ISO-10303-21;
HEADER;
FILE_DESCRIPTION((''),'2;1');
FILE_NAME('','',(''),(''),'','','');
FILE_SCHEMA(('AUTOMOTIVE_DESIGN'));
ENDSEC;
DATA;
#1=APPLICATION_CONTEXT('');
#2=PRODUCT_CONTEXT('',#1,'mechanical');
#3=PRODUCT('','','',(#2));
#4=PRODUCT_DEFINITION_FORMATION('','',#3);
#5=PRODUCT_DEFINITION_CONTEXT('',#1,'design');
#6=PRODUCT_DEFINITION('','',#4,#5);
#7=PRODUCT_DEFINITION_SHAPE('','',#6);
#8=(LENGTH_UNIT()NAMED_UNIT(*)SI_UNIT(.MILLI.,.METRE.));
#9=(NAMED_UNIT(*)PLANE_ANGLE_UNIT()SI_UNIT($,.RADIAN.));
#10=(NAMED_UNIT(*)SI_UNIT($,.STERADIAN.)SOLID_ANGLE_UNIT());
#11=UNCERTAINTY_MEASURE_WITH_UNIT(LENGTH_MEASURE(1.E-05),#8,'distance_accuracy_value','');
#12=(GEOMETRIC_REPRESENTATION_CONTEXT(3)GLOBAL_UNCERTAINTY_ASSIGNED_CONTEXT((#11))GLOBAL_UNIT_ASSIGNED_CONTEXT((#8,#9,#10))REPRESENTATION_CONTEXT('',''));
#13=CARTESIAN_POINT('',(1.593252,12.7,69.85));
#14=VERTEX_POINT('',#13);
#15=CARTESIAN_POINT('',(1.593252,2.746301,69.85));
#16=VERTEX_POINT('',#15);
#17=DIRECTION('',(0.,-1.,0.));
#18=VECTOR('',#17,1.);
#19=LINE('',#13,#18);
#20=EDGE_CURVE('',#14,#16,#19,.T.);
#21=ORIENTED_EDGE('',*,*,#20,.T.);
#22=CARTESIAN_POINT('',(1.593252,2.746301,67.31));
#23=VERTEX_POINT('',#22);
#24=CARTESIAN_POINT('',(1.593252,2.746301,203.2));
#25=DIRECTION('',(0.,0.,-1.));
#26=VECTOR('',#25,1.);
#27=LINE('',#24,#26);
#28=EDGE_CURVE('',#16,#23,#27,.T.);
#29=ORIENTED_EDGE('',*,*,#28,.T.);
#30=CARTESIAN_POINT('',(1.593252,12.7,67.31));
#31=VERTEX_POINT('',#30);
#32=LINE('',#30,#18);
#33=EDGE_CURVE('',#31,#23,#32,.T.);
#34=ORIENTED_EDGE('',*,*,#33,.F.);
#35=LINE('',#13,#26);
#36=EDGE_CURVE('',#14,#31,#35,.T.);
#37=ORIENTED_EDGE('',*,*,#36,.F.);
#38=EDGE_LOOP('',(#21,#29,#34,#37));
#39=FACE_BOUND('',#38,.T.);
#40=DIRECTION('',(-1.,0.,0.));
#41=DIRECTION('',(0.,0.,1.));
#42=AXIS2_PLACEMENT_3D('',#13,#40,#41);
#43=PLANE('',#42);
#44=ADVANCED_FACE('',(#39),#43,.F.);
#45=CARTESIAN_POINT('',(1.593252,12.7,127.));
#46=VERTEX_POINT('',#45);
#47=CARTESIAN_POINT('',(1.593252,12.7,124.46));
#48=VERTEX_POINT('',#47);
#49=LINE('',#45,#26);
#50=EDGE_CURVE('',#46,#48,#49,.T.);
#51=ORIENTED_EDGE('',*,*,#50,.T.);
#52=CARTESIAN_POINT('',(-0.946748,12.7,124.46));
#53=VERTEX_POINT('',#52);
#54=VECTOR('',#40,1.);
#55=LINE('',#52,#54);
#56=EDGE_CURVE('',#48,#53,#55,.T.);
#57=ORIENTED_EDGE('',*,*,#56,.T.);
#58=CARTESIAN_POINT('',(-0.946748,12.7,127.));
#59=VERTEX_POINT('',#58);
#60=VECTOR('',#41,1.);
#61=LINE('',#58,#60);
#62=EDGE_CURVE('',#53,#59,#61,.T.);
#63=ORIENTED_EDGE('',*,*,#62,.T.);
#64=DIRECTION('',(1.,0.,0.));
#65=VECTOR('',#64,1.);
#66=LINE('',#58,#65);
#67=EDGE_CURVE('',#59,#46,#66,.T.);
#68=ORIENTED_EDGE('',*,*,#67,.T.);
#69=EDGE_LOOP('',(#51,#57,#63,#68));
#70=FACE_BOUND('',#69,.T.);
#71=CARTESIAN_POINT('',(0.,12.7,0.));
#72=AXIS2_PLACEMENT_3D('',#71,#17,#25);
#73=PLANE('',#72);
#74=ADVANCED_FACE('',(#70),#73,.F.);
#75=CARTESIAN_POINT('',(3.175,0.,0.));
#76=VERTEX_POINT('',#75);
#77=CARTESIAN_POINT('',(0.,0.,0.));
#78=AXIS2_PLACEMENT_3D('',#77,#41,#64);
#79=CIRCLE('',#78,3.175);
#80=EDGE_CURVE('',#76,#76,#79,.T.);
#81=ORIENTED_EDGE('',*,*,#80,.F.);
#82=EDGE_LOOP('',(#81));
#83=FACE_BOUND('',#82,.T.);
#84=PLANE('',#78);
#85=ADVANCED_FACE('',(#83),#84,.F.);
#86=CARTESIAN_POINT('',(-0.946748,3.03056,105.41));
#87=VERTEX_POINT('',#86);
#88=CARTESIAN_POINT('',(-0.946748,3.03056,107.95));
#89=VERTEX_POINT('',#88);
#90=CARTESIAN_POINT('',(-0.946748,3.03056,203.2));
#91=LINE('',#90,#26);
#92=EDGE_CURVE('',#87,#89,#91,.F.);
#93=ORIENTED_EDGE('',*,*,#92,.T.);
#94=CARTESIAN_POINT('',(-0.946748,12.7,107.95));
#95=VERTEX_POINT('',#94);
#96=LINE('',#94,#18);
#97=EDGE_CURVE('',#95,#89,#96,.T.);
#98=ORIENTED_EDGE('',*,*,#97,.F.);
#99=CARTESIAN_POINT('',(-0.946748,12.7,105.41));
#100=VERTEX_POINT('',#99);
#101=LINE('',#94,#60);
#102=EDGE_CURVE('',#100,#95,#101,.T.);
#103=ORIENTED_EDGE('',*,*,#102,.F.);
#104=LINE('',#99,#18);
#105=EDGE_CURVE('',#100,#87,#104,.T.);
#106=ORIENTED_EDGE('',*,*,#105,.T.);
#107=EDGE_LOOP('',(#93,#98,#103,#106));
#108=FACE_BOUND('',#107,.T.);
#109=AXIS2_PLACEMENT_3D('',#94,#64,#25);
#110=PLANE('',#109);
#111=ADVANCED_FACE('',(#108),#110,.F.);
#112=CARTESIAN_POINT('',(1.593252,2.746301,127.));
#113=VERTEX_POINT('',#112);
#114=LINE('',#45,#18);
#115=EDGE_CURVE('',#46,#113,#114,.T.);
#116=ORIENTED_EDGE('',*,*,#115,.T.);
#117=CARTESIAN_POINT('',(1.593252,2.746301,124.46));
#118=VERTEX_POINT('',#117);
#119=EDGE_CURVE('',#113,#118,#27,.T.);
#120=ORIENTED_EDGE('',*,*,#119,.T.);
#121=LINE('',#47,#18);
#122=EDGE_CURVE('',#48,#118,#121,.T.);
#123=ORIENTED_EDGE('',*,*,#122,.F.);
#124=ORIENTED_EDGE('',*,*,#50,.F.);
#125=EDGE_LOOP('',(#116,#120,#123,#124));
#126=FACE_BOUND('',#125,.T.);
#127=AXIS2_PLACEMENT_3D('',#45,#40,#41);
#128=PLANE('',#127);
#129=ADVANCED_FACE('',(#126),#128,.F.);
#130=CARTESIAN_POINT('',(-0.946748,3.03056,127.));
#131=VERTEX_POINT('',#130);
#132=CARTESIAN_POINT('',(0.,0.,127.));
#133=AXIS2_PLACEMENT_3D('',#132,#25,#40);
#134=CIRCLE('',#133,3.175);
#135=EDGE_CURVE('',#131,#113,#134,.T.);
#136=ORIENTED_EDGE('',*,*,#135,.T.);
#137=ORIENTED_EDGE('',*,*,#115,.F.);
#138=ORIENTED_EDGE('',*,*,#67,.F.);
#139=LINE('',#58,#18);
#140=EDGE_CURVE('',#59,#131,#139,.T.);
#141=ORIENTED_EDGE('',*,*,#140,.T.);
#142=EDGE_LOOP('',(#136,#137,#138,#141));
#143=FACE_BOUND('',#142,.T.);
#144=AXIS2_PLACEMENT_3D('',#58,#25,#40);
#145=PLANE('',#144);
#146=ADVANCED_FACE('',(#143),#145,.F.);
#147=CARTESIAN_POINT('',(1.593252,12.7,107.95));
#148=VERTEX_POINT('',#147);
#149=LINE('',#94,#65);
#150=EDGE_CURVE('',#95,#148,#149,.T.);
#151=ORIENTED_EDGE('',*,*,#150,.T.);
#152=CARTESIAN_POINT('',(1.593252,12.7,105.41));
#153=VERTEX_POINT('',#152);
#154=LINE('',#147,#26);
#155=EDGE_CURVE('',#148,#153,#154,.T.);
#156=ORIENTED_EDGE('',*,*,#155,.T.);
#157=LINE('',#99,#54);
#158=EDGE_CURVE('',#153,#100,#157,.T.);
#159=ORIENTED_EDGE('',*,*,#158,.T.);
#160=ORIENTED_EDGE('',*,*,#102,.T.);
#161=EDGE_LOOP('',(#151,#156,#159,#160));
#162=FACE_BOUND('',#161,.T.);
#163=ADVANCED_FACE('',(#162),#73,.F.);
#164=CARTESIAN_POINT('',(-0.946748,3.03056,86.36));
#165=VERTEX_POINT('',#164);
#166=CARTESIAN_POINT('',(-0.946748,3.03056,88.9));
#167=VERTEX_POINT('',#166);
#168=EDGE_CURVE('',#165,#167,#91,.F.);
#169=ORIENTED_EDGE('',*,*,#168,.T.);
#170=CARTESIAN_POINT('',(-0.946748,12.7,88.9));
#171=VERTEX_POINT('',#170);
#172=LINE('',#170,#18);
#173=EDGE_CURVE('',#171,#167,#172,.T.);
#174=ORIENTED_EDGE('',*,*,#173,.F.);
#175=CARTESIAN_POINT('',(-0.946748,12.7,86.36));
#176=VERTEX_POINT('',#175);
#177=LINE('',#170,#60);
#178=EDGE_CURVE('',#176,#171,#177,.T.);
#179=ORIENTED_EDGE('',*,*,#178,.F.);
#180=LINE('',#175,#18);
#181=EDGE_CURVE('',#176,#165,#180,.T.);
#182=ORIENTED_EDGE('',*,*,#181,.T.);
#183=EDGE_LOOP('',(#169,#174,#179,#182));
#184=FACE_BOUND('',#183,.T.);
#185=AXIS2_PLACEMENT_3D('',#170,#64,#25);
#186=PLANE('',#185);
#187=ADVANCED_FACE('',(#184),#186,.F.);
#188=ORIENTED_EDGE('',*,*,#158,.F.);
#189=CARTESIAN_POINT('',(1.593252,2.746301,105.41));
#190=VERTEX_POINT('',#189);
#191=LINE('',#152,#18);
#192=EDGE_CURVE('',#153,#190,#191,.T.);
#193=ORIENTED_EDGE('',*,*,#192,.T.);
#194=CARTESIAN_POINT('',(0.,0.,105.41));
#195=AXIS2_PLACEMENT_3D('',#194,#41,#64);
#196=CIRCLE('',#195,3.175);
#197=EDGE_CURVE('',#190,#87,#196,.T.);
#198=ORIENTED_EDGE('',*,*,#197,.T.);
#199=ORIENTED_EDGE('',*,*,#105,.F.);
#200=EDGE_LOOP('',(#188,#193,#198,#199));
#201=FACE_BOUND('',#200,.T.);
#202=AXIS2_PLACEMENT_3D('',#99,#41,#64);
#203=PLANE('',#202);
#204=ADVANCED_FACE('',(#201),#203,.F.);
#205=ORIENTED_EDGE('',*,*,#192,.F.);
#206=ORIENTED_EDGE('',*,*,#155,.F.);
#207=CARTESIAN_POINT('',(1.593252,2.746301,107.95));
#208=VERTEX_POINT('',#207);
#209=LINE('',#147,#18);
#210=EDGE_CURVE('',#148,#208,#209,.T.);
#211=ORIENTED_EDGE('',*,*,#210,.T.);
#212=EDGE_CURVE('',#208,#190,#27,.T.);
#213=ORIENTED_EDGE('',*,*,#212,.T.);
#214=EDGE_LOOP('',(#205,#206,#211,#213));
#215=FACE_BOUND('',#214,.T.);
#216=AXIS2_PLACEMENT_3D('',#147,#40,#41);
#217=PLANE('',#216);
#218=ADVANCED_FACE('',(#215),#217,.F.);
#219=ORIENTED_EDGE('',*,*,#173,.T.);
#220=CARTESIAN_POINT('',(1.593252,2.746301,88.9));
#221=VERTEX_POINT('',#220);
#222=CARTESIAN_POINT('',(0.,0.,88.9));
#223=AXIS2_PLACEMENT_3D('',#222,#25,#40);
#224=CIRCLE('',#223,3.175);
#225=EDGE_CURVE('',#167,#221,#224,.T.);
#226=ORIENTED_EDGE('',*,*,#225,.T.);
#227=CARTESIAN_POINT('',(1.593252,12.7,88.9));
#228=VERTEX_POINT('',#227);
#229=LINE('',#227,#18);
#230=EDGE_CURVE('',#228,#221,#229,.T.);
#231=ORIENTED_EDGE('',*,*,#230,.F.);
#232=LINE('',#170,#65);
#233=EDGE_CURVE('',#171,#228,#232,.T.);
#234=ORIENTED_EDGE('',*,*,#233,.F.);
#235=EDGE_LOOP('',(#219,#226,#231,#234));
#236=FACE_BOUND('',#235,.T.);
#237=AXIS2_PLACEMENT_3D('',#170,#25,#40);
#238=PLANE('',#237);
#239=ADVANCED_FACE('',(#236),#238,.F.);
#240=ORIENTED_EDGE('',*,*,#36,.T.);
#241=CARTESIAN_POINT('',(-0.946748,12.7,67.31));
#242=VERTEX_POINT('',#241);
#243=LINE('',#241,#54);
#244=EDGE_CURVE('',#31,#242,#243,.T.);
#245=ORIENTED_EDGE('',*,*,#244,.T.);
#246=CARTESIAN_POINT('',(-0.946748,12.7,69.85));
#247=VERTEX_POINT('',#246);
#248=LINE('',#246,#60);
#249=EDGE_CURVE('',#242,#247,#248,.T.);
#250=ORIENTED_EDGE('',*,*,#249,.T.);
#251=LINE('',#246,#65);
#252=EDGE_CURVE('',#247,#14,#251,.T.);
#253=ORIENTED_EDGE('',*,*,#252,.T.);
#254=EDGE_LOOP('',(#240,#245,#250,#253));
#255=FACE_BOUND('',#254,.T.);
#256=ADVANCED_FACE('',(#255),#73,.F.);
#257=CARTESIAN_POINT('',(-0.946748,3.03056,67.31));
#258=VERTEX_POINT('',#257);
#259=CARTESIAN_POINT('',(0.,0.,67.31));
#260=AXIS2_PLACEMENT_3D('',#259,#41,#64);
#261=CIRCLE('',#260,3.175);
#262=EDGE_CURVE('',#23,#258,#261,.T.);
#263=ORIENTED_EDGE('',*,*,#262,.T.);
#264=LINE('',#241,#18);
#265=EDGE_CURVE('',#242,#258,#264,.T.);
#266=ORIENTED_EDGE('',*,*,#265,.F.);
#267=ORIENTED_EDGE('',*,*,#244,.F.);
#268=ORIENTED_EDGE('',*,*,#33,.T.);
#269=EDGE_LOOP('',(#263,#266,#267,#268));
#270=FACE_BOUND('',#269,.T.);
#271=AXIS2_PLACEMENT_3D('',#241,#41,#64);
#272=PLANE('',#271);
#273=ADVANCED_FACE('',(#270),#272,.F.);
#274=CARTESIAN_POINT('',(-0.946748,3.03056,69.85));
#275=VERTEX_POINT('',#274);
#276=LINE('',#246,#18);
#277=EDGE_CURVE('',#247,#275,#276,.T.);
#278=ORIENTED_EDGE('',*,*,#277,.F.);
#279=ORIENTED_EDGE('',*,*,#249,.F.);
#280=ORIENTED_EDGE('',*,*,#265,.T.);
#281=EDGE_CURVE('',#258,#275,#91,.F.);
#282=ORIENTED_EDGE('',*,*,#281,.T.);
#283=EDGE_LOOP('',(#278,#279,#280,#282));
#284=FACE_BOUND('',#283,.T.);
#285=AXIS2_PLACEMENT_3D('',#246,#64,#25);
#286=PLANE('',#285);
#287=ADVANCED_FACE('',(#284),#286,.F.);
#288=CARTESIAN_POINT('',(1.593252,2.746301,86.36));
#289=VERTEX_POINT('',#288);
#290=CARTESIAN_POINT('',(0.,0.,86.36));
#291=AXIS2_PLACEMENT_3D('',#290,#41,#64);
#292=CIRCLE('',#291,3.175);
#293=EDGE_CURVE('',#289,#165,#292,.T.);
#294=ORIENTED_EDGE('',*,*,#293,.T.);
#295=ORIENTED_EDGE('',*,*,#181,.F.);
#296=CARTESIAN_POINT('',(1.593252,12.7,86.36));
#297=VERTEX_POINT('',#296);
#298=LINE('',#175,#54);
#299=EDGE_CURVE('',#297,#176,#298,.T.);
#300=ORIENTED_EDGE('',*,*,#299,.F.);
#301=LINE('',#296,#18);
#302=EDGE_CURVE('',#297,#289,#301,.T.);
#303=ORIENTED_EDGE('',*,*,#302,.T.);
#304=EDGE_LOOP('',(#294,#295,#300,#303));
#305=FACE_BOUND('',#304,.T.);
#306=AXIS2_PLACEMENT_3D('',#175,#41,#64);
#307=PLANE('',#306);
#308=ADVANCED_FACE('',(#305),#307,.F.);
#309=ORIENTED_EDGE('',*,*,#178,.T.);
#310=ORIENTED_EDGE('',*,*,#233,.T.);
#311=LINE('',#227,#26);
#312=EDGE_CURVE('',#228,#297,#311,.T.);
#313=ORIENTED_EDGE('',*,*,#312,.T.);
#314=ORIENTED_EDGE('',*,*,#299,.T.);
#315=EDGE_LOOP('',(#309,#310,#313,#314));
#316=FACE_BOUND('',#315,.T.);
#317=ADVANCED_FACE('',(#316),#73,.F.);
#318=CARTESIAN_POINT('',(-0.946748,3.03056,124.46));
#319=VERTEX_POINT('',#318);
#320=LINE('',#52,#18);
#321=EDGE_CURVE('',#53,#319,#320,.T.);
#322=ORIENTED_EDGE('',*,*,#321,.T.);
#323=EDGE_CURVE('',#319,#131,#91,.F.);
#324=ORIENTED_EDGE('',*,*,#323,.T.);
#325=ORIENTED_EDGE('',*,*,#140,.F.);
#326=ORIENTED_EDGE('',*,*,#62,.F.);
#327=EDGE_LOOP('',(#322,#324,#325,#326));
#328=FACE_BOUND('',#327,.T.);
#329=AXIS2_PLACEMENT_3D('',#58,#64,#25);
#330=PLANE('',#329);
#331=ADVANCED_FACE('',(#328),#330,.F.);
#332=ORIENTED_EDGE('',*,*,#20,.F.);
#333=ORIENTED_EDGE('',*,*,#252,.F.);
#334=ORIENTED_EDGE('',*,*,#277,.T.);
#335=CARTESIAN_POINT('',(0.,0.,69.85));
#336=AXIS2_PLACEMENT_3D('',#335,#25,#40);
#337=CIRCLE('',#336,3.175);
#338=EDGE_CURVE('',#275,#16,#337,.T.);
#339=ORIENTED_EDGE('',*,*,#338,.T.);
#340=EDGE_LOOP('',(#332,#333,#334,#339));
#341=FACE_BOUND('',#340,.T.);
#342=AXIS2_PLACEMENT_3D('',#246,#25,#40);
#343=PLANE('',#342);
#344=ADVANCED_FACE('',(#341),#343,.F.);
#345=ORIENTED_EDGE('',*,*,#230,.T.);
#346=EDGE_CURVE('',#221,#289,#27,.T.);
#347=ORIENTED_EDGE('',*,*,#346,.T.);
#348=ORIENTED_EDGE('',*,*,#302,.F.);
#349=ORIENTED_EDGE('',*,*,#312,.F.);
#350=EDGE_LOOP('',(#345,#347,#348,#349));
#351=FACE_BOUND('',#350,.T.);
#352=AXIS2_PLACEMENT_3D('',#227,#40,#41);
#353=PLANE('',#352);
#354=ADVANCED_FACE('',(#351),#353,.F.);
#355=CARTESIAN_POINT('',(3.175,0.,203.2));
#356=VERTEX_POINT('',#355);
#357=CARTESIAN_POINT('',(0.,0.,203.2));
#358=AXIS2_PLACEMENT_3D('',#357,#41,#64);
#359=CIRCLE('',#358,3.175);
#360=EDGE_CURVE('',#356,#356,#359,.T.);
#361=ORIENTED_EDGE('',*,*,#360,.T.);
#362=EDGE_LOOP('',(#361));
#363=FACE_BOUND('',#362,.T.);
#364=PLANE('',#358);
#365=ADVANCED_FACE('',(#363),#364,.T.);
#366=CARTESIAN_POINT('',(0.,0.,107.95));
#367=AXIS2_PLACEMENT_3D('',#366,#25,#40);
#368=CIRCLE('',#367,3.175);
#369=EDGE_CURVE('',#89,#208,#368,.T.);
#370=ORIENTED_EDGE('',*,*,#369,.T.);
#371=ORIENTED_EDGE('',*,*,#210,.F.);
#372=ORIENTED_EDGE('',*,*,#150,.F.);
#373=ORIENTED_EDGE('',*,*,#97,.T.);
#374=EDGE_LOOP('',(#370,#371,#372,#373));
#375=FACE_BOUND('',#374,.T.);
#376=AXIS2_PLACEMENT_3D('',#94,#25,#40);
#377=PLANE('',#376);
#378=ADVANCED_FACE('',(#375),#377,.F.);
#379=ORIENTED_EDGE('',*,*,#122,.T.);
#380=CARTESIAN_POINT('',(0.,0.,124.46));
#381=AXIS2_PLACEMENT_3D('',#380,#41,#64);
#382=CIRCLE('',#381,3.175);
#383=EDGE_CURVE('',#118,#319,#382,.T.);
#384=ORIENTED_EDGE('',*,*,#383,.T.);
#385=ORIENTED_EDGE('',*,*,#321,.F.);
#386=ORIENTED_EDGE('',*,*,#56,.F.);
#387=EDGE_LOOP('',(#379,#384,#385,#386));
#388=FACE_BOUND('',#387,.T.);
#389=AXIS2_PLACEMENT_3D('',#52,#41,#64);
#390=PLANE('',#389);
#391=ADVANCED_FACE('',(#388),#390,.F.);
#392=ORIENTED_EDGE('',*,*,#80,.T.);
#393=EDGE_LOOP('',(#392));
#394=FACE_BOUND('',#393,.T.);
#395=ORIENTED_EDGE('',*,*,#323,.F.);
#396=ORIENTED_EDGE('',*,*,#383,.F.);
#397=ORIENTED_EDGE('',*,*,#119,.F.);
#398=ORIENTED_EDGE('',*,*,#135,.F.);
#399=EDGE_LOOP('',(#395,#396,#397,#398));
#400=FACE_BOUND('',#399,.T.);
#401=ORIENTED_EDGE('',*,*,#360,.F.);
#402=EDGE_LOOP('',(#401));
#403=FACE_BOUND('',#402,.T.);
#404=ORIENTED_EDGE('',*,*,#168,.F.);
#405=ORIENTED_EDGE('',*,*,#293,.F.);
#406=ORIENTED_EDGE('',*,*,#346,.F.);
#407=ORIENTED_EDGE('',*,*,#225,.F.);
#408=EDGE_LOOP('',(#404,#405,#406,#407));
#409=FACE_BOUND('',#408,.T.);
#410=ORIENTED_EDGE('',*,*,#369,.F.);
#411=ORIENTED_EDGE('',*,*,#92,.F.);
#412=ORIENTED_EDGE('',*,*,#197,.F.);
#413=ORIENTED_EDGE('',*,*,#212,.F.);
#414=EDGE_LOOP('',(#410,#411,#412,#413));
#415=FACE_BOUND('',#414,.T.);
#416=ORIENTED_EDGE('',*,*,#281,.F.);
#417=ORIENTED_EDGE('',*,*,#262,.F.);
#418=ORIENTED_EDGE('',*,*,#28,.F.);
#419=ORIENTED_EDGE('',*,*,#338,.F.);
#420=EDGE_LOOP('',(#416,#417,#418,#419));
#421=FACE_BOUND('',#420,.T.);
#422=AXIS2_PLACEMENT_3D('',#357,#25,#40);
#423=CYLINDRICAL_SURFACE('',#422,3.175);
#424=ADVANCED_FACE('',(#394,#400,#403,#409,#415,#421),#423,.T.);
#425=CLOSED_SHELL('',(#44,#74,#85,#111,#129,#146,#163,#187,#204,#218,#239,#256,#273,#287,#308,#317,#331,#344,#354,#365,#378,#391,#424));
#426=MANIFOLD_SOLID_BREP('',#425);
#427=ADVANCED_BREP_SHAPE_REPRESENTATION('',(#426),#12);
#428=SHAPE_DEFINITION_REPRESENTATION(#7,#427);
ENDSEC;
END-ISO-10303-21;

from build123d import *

# Parameters (mm, degrees)
SKETCH1_R           = 3.175
BOSS_EXTRUDE1_DEPTH = 203.2
SKETCH2_W           = 2.54
SKETCH2_H           = 2.54
BOSS_EXTRUDE2_DEPTH = 12.7


with BuildPart() as part:
    # Sketch1 → Boss-Extrude1 (new body)
    with BuildSketch(Plane.XY):
        Circle(SKETCH1_R)
    extrude(amount=BOSS_EXTRUDE1_DEPTH)

    # Sketch2 → Boss-Extrude2 (add)
    with BuildSketch(Plane(origin=(0, 0, 0), x_dir=(1, 0, 0), z_dir=(0, 1, 0))):
        with Locations((0.323252362, -106.68)):
            Rectangle(SKETCH2_W, SKETCH2_H)
        with Locations((0.323252362, -125.73)):
            Rectangle(SKETCH2_W, SKETCH2_H)
        with Locations((0.323252362, -87.63)):
            Rectangle(SKETCH2_W, SKETCH2_H)
        with Locations((0.323252362, -68.58)):
            Rectangle(SKETCH2_W, SKETCH2_H)
    extrude(amount=BOSS_EXTRUDE2_DEPTH)


solid = part.part
